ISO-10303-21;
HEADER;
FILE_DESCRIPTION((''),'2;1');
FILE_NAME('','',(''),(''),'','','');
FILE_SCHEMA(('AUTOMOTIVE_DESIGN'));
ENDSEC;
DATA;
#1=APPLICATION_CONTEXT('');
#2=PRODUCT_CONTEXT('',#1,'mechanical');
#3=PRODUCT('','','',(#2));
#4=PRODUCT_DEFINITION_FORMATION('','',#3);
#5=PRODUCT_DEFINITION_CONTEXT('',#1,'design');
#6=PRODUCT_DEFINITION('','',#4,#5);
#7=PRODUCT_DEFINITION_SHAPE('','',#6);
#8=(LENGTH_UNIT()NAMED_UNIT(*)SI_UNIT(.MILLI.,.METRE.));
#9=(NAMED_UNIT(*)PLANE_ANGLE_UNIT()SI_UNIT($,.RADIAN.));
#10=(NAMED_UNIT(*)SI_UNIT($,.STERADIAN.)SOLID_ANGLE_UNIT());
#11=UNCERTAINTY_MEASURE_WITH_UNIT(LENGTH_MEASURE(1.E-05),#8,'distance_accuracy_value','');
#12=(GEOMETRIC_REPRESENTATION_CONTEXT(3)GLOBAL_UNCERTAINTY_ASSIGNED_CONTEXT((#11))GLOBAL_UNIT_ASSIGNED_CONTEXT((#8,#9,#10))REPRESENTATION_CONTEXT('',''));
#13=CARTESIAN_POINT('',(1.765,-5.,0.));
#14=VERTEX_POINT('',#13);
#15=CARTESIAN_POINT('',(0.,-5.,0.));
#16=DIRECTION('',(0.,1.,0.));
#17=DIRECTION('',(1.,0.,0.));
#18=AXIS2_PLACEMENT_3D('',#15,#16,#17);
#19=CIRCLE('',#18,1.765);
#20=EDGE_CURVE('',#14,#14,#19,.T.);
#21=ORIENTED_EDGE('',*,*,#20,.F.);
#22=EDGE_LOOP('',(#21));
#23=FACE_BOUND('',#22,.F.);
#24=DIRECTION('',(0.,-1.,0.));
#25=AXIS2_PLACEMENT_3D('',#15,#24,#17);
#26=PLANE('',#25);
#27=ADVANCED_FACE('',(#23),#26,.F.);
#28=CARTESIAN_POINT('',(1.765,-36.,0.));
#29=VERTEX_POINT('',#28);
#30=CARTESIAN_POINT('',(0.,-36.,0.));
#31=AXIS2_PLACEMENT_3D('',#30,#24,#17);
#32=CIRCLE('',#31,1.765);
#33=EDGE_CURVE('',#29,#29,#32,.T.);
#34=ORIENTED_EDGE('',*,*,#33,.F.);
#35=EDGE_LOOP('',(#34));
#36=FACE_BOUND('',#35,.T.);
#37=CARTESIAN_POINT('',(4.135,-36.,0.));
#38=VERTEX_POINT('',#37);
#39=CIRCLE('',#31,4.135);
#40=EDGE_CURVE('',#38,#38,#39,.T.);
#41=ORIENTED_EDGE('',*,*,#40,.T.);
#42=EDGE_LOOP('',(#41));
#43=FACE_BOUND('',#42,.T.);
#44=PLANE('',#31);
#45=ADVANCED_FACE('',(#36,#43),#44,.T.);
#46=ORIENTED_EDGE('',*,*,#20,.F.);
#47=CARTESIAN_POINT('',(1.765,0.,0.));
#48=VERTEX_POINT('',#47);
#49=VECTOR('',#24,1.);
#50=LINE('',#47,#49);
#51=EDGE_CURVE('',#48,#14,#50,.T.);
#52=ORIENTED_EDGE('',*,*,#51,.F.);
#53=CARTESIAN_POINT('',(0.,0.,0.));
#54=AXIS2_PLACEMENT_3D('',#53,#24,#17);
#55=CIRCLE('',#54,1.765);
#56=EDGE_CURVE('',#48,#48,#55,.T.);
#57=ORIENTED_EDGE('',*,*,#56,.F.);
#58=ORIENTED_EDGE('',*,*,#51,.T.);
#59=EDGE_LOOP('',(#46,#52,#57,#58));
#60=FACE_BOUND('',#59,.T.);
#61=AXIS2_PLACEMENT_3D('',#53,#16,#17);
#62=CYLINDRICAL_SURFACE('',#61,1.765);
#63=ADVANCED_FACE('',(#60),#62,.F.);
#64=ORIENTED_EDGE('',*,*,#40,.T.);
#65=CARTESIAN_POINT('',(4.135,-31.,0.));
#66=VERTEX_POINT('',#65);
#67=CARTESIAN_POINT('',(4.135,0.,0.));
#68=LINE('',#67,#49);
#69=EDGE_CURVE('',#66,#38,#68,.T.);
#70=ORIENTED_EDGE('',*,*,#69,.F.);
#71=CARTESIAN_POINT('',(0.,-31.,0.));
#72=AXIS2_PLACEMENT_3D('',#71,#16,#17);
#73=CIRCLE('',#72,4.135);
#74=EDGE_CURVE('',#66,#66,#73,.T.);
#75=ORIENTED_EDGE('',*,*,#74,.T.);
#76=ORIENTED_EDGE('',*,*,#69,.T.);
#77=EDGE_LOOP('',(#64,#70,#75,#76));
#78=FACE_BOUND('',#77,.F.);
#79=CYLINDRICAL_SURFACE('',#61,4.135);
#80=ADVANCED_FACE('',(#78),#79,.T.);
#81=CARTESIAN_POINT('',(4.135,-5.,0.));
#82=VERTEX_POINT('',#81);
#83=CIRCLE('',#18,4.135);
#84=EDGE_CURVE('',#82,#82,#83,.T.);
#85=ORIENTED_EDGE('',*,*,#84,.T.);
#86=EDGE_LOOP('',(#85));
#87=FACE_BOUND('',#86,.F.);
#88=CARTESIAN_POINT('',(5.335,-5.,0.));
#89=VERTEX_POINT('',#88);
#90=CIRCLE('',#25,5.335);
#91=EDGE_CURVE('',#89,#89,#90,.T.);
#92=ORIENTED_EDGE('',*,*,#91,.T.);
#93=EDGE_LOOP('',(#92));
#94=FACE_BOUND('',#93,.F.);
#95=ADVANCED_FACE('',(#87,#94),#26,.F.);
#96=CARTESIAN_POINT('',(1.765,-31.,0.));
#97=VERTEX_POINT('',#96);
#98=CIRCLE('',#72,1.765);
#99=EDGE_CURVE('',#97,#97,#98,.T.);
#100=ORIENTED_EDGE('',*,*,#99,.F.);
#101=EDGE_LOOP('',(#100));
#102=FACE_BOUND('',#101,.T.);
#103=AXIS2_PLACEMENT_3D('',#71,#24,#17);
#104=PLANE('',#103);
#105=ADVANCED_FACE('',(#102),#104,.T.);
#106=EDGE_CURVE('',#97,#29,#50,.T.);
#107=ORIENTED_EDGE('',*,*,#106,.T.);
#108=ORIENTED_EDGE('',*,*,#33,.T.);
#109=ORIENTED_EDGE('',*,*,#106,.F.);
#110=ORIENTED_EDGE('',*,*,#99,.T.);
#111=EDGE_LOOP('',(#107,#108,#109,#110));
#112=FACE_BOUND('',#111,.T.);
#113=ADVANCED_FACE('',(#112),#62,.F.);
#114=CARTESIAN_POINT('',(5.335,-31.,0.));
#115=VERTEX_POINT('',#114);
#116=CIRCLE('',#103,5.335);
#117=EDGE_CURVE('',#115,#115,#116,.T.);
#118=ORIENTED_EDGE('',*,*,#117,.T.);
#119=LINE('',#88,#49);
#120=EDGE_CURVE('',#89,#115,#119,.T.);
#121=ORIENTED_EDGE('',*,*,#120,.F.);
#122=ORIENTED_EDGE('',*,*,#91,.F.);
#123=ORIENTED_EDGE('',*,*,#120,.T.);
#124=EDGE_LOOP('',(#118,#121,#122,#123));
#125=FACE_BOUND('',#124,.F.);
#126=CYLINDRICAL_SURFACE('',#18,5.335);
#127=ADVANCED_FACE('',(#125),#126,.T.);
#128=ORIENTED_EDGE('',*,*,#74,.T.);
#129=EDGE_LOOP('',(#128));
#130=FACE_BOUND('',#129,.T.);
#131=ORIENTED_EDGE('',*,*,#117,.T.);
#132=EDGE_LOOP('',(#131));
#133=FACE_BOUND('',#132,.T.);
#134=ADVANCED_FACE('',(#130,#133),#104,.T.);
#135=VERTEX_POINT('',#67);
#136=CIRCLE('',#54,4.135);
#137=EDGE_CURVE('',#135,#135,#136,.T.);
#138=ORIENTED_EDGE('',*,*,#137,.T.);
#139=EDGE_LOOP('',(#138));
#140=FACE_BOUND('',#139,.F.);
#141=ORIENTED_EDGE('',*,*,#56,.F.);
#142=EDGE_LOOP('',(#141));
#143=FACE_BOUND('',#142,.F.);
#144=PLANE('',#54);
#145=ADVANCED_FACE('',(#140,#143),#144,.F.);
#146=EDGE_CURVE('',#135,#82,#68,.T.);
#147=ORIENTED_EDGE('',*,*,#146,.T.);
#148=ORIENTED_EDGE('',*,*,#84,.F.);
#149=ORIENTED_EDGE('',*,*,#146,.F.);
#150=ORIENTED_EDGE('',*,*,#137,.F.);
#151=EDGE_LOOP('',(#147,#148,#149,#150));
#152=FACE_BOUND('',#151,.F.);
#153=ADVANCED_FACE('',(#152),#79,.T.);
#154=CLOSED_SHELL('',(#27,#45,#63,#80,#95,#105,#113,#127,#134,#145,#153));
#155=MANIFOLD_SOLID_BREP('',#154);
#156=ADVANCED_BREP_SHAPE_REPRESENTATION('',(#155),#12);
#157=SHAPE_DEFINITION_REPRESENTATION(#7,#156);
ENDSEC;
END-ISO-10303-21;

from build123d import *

# Parameters (mm, degrees)
F0_R     = 4.135
F0_R_2   = 1.765
F1_DEPTH = 36
F3_R     = 5.335
F4_DEPTH = 26


with BuildPart() as f1:
    # F0 (on Front) → F1 (new body)
    with BuildSketch(Plane.XZ):
        Circle(F0_R)
        Circle(F0_R_2, mode=Mode.SUBTRACT)
    extrude(amount=F1_DEPTH)

    # F3 (on offset) → F4 (join)
    with BuildSketch(Plane.XZ.offset(5)):
        Circle(F3_R)
    extrude(amount=F4_DEPTH)


solid = f1.part
